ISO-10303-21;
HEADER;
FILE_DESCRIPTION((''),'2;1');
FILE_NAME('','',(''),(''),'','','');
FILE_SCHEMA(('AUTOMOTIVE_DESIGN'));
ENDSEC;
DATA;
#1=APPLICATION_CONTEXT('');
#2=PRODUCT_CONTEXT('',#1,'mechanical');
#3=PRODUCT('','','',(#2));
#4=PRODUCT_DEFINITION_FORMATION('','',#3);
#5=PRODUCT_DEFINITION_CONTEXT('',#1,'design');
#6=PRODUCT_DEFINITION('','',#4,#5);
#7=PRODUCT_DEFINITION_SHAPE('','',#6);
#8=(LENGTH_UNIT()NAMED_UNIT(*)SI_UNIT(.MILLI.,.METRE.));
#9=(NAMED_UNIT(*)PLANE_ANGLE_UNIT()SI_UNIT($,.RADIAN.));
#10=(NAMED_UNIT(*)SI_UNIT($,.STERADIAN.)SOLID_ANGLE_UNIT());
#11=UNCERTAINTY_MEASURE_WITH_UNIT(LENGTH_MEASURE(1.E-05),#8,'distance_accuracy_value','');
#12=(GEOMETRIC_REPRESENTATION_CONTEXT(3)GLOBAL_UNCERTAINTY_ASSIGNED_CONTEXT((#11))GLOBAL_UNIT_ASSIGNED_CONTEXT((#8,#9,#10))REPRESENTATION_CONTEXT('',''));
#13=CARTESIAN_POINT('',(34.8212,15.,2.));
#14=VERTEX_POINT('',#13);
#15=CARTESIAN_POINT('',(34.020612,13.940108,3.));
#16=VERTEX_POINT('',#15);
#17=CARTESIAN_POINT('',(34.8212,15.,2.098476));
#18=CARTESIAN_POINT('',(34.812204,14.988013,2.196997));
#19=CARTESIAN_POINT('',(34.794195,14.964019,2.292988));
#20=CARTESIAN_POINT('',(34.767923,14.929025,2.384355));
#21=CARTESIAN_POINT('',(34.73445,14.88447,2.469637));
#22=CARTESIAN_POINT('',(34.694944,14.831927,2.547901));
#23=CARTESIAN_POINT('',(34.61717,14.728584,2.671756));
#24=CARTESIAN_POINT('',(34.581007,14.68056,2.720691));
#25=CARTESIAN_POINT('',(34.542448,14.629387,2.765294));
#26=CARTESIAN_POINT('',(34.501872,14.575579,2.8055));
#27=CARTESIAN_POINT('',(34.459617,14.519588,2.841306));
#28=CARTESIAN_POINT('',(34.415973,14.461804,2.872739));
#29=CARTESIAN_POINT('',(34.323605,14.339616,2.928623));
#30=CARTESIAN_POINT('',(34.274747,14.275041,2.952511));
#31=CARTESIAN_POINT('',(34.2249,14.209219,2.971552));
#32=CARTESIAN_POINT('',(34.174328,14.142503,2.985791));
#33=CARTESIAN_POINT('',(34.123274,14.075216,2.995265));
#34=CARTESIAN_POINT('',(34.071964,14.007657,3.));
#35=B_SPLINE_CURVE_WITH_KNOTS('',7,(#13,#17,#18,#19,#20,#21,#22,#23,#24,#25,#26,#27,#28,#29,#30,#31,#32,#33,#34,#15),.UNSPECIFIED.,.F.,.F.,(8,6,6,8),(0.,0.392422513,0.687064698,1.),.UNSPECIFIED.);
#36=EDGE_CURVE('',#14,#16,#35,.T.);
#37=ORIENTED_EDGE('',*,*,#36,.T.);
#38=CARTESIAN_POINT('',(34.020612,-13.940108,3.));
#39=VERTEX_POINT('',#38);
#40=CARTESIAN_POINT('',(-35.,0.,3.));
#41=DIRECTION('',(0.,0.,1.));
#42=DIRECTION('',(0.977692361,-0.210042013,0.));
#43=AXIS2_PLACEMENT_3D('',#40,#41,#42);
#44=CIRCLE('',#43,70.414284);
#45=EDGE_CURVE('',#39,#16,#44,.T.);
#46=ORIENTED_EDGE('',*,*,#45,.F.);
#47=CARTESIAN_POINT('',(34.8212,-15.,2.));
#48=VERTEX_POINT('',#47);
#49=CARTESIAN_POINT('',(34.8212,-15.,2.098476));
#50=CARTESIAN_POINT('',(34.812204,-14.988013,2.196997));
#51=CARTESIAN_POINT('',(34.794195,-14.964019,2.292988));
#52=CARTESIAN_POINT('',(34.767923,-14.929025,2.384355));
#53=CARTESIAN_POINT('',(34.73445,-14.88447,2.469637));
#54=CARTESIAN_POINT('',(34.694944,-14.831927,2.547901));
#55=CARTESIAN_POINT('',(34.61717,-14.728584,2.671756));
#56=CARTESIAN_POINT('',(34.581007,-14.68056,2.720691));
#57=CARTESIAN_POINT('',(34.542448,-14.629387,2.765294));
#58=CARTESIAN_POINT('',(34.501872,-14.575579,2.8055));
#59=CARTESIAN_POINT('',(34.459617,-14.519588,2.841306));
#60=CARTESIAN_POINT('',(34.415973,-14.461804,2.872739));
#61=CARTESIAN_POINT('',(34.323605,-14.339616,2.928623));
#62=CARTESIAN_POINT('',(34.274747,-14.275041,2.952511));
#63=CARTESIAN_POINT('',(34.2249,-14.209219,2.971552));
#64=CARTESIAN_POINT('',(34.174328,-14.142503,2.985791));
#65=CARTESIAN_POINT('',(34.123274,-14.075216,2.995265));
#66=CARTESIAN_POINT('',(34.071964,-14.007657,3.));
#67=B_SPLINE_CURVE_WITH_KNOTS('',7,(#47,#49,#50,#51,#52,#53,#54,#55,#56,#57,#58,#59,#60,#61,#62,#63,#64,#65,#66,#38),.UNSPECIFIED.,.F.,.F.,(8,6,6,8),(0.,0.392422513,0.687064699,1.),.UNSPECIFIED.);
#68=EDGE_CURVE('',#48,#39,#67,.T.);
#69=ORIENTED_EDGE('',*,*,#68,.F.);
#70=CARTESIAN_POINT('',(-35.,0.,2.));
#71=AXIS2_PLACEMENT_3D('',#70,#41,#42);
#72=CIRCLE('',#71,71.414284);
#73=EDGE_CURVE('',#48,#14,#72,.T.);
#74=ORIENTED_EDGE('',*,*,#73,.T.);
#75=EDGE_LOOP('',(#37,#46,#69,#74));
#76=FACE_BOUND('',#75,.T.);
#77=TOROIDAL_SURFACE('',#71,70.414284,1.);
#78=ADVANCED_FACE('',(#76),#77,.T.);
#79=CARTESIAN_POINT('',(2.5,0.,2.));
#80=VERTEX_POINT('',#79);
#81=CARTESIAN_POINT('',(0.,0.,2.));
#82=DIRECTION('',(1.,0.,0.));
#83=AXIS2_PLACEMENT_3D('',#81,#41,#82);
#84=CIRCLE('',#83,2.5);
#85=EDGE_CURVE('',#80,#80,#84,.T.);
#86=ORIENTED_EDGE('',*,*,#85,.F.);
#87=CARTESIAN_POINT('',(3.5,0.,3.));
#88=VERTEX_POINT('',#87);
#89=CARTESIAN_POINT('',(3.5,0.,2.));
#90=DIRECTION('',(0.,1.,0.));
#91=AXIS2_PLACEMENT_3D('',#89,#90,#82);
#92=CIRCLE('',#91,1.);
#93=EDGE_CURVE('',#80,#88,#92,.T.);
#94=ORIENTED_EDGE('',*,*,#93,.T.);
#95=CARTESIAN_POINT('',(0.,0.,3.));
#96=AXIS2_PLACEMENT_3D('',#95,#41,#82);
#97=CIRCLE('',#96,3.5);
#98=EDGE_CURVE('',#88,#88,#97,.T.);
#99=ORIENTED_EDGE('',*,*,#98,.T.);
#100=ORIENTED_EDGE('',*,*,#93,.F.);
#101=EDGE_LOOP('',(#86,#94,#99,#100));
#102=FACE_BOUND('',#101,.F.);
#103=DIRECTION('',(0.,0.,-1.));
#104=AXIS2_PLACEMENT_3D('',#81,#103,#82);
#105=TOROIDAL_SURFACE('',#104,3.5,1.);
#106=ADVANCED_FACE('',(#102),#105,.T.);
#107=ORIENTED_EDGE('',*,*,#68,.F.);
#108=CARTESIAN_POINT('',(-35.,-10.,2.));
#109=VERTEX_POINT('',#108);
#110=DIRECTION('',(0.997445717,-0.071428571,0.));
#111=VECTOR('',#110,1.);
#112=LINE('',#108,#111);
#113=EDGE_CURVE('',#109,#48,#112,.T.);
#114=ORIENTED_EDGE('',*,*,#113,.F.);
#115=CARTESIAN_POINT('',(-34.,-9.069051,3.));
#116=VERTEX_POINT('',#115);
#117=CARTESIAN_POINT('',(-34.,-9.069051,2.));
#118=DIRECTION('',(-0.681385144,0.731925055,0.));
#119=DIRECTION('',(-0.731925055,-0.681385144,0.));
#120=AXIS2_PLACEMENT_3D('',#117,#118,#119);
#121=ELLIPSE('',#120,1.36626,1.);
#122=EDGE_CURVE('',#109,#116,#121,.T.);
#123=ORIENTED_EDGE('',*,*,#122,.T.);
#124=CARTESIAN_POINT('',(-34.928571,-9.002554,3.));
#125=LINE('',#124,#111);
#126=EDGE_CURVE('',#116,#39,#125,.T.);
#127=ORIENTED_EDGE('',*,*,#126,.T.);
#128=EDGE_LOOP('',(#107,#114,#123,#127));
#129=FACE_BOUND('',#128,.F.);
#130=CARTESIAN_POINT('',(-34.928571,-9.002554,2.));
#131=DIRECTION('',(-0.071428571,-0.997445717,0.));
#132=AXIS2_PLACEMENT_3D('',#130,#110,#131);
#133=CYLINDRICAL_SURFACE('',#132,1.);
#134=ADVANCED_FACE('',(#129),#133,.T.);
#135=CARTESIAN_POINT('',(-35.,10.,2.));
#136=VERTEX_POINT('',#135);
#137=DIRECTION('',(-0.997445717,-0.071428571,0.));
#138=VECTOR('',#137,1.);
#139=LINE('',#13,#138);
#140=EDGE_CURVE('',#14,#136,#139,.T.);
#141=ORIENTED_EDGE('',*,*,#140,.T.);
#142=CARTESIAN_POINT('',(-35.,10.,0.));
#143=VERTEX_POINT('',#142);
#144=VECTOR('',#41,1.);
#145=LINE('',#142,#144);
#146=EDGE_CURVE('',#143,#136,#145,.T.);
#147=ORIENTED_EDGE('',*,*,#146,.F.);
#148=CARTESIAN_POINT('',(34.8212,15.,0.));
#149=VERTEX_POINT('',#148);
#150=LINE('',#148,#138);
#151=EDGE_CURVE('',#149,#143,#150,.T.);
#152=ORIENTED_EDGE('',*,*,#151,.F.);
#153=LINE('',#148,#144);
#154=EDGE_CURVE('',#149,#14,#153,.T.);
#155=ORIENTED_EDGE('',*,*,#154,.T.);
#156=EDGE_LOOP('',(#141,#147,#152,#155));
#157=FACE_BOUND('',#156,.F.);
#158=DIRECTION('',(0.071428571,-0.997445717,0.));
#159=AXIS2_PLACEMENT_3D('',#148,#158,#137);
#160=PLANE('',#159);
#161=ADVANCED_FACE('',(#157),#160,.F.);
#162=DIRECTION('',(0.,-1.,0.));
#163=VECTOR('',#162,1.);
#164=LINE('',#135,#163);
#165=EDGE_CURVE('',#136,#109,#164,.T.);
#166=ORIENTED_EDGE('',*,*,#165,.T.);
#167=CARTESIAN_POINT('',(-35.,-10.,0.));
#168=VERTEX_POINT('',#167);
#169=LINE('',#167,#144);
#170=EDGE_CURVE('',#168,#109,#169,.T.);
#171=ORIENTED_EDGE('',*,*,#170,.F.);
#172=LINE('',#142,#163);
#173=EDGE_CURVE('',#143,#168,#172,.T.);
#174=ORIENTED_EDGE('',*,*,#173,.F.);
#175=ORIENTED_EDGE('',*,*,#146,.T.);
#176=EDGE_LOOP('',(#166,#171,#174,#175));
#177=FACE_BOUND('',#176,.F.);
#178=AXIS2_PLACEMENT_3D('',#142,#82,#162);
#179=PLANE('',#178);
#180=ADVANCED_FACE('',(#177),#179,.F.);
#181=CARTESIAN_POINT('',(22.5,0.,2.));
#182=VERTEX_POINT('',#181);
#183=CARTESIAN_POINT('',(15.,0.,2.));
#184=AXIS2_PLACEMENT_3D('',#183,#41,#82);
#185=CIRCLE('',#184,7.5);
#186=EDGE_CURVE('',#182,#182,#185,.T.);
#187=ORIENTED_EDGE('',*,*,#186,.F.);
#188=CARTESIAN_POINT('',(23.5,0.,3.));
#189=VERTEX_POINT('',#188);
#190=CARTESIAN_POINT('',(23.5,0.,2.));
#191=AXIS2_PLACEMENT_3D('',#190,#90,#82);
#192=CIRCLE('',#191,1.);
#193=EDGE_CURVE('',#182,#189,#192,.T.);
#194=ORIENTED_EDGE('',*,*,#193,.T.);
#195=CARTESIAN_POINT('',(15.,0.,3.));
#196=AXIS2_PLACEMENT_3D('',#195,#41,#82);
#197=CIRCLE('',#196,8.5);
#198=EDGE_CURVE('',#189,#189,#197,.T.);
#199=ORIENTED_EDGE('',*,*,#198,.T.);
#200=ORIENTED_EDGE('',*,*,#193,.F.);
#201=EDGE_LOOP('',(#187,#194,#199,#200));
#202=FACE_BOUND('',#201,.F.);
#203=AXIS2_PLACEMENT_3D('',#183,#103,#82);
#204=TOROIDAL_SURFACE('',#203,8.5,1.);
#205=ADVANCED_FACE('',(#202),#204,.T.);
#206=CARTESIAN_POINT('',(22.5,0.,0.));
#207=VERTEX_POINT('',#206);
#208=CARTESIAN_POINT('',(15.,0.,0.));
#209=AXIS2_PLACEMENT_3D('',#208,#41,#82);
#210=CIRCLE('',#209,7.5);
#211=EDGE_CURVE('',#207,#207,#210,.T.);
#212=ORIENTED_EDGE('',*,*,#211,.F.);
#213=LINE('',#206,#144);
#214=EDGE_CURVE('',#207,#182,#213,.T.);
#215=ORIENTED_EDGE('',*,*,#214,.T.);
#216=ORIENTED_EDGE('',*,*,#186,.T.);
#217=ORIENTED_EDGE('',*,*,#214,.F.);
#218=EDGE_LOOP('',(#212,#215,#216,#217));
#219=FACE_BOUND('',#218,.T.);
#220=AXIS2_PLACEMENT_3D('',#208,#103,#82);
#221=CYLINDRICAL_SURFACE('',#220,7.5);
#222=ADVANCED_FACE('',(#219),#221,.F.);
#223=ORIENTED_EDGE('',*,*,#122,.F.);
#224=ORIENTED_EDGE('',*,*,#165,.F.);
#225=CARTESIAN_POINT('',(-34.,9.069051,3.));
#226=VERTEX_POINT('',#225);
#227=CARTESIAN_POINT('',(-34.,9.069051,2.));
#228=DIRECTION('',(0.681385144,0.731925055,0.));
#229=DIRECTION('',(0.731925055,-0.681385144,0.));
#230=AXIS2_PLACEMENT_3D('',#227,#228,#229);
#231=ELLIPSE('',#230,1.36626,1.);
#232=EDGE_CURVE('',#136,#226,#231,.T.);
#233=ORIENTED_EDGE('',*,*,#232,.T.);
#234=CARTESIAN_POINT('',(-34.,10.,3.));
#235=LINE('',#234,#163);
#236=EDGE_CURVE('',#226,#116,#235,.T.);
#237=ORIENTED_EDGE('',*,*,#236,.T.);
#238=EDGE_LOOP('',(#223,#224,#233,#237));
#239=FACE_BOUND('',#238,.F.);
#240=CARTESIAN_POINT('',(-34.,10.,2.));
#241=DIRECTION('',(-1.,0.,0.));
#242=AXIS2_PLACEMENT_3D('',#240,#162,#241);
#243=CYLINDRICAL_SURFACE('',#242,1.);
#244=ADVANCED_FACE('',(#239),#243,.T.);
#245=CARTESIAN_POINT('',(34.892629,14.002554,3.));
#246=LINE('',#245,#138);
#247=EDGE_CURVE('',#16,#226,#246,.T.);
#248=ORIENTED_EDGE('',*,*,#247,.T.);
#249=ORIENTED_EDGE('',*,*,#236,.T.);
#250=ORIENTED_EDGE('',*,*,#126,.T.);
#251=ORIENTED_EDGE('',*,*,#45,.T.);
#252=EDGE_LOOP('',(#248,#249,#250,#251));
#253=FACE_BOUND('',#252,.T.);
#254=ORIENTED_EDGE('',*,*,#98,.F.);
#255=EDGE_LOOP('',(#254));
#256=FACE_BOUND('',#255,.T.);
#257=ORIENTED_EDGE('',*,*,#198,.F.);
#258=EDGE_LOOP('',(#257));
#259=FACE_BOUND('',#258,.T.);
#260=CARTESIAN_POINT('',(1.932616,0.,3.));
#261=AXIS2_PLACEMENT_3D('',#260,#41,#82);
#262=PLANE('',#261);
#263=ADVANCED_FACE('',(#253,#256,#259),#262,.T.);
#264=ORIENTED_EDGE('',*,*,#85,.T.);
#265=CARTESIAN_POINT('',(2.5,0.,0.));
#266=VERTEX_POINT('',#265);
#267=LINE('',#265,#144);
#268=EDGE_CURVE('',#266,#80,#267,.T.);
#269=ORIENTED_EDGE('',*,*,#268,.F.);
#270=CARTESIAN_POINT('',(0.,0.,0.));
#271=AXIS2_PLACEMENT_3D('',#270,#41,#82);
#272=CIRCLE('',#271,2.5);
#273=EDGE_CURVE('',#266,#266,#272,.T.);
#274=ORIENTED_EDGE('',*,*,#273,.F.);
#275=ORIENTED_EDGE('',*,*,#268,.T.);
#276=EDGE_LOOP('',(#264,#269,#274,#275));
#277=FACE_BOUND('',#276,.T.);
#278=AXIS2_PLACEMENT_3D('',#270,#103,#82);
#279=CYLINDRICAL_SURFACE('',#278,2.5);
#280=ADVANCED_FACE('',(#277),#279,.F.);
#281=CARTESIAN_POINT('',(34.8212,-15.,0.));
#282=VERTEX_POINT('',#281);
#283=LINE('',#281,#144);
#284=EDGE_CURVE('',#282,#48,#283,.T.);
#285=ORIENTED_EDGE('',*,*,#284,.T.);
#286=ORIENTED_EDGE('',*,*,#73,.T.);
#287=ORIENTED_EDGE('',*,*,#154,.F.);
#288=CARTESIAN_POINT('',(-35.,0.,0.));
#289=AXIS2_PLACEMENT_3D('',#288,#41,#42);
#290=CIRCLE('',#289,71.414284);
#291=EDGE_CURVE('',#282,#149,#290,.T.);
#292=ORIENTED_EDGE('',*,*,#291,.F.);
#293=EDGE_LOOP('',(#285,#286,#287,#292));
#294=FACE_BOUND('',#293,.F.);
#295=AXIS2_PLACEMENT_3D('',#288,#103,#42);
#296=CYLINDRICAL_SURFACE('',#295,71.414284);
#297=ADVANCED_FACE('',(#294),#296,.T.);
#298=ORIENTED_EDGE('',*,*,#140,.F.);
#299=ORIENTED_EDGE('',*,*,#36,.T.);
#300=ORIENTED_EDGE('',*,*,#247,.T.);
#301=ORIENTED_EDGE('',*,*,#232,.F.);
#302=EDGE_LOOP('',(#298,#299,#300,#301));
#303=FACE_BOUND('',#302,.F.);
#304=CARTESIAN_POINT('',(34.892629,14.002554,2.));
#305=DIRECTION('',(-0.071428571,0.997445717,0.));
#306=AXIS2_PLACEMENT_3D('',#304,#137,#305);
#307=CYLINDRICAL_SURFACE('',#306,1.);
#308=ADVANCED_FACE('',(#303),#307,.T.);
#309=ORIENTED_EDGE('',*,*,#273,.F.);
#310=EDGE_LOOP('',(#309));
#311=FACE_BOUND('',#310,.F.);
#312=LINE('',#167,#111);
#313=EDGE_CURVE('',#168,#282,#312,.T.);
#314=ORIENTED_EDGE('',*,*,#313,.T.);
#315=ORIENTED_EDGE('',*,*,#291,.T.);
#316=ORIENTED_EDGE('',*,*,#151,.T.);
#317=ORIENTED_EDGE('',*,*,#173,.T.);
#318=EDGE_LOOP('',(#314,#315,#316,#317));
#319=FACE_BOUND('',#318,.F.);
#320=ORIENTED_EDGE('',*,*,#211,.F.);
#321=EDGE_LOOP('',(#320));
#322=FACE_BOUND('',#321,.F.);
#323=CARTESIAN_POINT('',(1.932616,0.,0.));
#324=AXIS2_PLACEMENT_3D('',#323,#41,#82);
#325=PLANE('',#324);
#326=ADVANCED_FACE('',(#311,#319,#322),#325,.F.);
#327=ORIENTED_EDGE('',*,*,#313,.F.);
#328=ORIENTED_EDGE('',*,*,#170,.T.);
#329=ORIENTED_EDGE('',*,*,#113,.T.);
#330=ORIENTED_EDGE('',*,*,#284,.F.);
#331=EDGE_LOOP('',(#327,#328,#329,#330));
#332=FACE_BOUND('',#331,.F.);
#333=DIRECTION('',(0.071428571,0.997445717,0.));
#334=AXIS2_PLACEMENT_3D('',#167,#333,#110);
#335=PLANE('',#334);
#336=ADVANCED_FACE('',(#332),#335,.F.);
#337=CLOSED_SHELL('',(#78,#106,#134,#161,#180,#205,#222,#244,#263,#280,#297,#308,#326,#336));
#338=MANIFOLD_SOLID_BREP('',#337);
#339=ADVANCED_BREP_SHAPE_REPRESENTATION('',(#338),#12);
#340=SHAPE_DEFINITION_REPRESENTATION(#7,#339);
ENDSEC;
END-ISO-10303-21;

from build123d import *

# Parameters (mm, degrees)
F0_R     = 2.5
F0_R_2   = 7.5
F1_DEPTH = 3
F2_R     = 1


with BuildPart() as f1:
    # F0 (on Top) → F1 (new body)
    with BuildSketch(Plane.XY):
        with BuildLine():
            ThreePointArc((34.8212002188, -15), (36.4142842854, 0), (34.8212002188, 15))
            Line((34.8212002188, 15), (-35, 10))
            Line((-35, 10), (-35, -10))
            Line((-35, -10), (34.8212002188, -15))
        make_face()
        Circle(F0_R, mode=Mode.SUBTRACT)
        with Locations((15, 0)):
            Circle(F0_R_2, mode=Mode.SUBTRACT)
    extrude(amount=F1_DEPTH)

    # F2
    f2_edges = [f1.edges().sort_by_distance(p)[0] for p in [
        (-35, 0, 3),
        (-0.0894, -12.5, 3),
        (36.414284, 0, 3),
        (-0.0894, 12.5, 3),
        (-2.5, 0, 3),
        (7.5, 0, 3),
    ]]
    fillet(f2_edges, radius=F2_R)


solid = f1.part
